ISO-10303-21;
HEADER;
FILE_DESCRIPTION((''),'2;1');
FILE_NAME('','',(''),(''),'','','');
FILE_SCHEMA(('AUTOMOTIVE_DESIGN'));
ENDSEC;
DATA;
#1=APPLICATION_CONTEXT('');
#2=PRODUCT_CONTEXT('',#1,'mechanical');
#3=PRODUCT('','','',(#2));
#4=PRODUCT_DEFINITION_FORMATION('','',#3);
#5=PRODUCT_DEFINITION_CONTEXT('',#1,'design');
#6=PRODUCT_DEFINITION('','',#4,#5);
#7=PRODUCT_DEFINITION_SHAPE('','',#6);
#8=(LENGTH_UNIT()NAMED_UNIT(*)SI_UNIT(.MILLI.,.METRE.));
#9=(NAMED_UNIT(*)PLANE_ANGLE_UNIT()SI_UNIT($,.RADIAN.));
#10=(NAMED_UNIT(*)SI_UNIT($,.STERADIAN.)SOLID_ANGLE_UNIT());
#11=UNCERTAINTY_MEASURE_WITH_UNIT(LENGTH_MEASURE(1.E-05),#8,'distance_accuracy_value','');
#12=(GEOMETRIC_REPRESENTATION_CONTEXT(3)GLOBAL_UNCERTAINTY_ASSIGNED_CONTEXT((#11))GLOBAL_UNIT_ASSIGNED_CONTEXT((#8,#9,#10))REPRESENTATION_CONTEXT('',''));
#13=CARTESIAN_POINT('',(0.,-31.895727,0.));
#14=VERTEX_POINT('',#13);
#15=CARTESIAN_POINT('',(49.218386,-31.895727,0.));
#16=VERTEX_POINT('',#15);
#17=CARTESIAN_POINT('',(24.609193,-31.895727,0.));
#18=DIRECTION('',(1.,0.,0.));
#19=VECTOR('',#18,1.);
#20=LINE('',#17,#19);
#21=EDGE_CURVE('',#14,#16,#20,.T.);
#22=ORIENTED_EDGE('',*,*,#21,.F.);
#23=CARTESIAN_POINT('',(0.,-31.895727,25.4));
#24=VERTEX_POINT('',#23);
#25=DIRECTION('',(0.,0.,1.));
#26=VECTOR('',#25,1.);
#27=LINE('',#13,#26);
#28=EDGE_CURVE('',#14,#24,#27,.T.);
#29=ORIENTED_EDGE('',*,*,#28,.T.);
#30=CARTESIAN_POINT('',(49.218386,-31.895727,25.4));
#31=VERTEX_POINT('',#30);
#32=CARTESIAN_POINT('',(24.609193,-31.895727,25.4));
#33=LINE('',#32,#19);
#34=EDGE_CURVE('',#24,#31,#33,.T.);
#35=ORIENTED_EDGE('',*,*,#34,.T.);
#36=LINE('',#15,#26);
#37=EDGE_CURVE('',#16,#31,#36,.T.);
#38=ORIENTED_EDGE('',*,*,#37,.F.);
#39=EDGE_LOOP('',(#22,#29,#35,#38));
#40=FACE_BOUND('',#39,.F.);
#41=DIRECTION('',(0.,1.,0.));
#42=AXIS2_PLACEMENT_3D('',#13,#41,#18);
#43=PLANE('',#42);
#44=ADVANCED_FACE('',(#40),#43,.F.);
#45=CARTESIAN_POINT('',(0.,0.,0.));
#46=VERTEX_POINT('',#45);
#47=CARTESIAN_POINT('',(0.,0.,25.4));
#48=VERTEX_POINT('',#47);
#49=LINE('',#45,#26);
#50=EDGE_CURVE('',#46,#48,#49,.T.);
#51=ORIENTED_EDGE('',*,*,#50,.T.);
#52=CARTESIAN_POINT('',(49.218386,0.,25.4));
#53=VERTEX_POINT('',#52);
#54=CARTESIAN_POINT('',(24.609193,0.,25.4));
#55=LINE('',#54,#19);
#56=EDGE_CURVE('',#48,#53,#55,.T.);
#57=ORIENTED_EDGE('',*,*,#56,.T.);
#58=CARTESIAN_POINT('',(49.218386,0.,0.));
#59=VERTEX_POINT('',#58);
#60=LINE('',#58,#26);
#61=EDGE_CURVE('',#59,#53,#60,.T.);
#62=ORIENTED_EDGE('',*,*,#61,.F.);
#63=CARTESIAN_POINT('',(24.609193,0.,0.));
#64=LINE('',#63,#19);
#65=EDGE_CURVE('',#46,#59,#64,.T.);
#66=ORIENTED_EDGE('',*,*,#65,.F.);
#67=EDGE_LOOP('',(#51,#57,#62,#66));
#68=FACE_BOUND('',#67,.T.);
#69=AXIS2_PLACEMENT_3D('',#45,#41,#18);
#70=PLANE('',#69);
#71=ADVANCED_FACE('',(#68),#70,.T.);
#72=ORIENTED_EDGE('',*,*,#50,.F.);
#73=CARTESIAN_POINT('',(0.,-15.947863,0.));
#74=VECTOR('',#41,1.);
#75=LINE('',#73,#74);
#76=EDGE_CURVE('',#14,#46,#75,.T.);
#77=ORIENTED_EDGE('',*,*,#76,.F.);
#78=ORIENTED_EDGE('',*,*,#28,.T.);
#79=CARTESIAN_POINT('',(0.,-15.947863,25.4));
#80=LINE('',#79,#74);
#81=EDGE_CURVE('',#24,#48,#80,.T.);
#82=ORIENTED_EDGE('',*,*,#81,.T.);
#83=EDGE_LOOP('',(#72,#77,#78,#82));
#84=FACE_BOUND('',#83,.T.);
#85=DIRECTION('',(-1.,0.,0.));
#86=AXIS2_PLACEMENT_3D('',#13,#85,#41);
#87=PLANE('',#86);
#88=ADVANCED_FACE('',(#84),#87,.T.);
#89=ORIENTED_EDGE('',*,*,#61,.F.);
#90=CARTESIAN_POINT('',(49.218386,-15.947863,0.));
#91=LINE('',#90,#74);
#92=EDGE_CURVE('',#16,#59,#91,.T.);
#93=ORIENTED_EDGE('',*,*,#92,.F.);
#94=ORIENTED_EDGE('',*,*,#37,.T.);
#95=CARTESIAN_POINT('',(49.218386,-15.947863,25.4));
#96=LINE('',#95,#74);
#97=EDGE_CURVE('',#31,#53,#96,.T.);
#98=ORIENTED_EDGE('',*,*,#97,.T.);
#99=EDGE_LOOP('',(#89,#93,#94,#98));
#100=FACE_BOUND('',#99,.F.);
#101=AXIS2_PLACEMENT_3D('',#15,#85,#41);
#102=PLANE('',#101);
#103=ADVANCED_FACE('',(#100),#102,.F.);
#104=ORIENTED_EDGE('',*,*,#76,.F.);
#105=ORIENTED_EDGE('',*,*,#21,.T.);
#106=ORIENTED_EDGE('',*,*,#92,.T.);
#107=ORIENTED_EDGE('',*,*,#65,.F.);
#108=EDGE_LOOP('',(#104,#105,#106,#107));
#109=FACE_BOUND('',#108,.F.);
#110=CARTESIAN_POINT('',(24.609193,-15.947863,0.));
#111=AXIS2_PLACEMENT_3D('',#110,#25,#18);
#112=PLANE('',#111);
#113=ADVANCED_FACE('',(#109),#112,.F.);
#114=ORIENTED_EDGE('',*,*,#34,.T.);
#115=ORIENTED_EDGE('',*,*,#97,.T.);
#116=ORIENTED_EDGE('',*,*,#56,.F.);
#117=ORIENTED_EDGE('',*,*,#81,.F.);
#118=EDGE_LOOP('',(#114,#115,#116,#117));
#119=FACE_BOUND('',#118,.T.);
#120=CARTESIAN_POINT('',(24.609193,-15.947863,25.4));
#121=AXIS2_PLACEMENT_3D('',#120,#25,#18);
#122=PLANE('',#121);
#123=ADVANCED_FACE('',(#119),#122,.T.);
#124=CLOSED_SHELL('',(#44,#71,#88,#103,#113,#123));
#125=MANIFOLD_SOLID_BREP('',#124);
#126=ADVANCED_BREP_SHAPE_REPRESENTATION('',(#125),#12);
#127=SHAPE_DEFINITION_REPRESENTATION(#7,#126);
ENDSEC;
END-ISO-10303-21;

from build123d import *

# Parameters (mm, degrees)
F1_W     = 49.2183864117
F1_H     = 31.8957269192
F2_DEPTH = 25.4


with BuildPart() as f2:
    # F1 (on face) → F2 (new body)
    with BuildSketch(Plane.XY):
        with Locations((24.6091932058, -15.9478634596)):
            Rectangle(F1_W, F1_H)
    extrude(amount=F2_DEPTH)


solid = f2.part
